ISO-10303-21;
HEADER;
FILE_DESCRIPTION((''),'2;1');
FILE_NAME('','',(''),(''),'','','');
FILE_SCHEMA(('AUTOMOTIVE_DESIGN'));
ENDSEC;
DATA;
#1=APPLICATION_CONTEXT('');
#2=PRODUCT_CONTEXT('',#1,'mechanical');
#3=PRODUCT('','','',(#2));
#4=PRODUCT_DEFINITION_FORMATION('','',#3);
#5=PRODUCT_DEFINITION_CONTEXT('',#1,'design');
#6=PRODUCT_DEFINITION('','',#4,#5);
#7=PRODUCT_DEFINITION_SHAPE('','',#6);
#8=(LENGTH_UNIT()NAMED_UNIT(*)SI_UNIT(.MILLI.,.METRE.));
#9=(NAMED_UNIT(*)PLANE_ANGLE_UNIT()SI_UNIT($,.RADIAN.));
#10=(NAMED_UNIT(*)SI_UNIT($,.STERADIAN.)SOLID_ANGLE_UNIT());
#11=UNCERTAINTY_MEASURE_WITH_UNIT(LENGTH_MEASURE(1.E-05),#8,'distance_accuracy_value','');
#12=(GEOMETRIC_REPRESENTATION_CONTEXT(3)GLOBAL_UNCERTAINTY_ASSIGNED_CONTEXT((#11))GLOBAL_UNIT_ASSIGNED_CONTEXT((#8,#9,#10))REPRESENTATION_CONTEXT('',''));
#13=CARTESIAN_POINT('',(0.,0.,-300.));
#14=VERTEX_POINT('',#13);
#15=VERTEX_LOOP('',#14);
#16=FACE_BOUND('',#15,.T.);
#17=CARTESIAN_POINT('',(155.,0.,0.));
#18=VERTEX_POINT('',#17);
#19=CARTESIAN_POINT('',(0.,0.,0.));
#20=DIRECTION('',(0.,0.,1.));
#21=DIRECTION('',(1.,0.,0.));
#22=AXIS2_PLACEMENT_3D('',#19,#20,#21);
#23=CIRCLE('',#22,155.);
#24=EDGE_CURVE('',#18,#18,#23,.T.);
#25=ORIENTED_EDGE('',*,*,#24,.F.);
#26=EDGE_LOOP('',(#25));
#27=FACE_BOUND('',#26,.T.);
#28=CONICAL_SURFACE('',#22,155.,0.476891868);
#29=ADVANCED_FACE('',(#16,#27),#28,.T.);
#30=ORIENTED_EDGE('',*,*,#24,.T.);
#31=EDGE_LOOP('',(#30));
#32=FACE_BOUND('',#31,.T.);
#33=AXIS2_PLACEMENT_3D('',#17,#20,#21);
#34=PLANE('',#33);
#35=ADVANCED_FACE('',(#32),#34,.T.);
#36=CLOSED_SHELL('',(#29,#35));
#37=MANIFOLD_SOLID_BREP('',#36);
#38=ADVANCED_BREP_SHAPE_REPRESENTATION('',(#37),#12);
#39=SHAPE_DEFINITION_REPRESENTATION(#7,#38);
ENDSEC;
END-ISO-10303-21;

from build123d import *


with BuildPart() as part:
    # Sketch1 → Revolve1 (revolve)
    with BuildSketch(Plane(origin=(0, 0, 0), x_dir=(1, 0, 0), z_dir=(0, 1, 0))):
        Polygon((0, 0), (0, 300), (155, 0), align=None)
    revolve(axis=Axis((0, 0, 0), (0, 0, -1)))


solid = part.part
